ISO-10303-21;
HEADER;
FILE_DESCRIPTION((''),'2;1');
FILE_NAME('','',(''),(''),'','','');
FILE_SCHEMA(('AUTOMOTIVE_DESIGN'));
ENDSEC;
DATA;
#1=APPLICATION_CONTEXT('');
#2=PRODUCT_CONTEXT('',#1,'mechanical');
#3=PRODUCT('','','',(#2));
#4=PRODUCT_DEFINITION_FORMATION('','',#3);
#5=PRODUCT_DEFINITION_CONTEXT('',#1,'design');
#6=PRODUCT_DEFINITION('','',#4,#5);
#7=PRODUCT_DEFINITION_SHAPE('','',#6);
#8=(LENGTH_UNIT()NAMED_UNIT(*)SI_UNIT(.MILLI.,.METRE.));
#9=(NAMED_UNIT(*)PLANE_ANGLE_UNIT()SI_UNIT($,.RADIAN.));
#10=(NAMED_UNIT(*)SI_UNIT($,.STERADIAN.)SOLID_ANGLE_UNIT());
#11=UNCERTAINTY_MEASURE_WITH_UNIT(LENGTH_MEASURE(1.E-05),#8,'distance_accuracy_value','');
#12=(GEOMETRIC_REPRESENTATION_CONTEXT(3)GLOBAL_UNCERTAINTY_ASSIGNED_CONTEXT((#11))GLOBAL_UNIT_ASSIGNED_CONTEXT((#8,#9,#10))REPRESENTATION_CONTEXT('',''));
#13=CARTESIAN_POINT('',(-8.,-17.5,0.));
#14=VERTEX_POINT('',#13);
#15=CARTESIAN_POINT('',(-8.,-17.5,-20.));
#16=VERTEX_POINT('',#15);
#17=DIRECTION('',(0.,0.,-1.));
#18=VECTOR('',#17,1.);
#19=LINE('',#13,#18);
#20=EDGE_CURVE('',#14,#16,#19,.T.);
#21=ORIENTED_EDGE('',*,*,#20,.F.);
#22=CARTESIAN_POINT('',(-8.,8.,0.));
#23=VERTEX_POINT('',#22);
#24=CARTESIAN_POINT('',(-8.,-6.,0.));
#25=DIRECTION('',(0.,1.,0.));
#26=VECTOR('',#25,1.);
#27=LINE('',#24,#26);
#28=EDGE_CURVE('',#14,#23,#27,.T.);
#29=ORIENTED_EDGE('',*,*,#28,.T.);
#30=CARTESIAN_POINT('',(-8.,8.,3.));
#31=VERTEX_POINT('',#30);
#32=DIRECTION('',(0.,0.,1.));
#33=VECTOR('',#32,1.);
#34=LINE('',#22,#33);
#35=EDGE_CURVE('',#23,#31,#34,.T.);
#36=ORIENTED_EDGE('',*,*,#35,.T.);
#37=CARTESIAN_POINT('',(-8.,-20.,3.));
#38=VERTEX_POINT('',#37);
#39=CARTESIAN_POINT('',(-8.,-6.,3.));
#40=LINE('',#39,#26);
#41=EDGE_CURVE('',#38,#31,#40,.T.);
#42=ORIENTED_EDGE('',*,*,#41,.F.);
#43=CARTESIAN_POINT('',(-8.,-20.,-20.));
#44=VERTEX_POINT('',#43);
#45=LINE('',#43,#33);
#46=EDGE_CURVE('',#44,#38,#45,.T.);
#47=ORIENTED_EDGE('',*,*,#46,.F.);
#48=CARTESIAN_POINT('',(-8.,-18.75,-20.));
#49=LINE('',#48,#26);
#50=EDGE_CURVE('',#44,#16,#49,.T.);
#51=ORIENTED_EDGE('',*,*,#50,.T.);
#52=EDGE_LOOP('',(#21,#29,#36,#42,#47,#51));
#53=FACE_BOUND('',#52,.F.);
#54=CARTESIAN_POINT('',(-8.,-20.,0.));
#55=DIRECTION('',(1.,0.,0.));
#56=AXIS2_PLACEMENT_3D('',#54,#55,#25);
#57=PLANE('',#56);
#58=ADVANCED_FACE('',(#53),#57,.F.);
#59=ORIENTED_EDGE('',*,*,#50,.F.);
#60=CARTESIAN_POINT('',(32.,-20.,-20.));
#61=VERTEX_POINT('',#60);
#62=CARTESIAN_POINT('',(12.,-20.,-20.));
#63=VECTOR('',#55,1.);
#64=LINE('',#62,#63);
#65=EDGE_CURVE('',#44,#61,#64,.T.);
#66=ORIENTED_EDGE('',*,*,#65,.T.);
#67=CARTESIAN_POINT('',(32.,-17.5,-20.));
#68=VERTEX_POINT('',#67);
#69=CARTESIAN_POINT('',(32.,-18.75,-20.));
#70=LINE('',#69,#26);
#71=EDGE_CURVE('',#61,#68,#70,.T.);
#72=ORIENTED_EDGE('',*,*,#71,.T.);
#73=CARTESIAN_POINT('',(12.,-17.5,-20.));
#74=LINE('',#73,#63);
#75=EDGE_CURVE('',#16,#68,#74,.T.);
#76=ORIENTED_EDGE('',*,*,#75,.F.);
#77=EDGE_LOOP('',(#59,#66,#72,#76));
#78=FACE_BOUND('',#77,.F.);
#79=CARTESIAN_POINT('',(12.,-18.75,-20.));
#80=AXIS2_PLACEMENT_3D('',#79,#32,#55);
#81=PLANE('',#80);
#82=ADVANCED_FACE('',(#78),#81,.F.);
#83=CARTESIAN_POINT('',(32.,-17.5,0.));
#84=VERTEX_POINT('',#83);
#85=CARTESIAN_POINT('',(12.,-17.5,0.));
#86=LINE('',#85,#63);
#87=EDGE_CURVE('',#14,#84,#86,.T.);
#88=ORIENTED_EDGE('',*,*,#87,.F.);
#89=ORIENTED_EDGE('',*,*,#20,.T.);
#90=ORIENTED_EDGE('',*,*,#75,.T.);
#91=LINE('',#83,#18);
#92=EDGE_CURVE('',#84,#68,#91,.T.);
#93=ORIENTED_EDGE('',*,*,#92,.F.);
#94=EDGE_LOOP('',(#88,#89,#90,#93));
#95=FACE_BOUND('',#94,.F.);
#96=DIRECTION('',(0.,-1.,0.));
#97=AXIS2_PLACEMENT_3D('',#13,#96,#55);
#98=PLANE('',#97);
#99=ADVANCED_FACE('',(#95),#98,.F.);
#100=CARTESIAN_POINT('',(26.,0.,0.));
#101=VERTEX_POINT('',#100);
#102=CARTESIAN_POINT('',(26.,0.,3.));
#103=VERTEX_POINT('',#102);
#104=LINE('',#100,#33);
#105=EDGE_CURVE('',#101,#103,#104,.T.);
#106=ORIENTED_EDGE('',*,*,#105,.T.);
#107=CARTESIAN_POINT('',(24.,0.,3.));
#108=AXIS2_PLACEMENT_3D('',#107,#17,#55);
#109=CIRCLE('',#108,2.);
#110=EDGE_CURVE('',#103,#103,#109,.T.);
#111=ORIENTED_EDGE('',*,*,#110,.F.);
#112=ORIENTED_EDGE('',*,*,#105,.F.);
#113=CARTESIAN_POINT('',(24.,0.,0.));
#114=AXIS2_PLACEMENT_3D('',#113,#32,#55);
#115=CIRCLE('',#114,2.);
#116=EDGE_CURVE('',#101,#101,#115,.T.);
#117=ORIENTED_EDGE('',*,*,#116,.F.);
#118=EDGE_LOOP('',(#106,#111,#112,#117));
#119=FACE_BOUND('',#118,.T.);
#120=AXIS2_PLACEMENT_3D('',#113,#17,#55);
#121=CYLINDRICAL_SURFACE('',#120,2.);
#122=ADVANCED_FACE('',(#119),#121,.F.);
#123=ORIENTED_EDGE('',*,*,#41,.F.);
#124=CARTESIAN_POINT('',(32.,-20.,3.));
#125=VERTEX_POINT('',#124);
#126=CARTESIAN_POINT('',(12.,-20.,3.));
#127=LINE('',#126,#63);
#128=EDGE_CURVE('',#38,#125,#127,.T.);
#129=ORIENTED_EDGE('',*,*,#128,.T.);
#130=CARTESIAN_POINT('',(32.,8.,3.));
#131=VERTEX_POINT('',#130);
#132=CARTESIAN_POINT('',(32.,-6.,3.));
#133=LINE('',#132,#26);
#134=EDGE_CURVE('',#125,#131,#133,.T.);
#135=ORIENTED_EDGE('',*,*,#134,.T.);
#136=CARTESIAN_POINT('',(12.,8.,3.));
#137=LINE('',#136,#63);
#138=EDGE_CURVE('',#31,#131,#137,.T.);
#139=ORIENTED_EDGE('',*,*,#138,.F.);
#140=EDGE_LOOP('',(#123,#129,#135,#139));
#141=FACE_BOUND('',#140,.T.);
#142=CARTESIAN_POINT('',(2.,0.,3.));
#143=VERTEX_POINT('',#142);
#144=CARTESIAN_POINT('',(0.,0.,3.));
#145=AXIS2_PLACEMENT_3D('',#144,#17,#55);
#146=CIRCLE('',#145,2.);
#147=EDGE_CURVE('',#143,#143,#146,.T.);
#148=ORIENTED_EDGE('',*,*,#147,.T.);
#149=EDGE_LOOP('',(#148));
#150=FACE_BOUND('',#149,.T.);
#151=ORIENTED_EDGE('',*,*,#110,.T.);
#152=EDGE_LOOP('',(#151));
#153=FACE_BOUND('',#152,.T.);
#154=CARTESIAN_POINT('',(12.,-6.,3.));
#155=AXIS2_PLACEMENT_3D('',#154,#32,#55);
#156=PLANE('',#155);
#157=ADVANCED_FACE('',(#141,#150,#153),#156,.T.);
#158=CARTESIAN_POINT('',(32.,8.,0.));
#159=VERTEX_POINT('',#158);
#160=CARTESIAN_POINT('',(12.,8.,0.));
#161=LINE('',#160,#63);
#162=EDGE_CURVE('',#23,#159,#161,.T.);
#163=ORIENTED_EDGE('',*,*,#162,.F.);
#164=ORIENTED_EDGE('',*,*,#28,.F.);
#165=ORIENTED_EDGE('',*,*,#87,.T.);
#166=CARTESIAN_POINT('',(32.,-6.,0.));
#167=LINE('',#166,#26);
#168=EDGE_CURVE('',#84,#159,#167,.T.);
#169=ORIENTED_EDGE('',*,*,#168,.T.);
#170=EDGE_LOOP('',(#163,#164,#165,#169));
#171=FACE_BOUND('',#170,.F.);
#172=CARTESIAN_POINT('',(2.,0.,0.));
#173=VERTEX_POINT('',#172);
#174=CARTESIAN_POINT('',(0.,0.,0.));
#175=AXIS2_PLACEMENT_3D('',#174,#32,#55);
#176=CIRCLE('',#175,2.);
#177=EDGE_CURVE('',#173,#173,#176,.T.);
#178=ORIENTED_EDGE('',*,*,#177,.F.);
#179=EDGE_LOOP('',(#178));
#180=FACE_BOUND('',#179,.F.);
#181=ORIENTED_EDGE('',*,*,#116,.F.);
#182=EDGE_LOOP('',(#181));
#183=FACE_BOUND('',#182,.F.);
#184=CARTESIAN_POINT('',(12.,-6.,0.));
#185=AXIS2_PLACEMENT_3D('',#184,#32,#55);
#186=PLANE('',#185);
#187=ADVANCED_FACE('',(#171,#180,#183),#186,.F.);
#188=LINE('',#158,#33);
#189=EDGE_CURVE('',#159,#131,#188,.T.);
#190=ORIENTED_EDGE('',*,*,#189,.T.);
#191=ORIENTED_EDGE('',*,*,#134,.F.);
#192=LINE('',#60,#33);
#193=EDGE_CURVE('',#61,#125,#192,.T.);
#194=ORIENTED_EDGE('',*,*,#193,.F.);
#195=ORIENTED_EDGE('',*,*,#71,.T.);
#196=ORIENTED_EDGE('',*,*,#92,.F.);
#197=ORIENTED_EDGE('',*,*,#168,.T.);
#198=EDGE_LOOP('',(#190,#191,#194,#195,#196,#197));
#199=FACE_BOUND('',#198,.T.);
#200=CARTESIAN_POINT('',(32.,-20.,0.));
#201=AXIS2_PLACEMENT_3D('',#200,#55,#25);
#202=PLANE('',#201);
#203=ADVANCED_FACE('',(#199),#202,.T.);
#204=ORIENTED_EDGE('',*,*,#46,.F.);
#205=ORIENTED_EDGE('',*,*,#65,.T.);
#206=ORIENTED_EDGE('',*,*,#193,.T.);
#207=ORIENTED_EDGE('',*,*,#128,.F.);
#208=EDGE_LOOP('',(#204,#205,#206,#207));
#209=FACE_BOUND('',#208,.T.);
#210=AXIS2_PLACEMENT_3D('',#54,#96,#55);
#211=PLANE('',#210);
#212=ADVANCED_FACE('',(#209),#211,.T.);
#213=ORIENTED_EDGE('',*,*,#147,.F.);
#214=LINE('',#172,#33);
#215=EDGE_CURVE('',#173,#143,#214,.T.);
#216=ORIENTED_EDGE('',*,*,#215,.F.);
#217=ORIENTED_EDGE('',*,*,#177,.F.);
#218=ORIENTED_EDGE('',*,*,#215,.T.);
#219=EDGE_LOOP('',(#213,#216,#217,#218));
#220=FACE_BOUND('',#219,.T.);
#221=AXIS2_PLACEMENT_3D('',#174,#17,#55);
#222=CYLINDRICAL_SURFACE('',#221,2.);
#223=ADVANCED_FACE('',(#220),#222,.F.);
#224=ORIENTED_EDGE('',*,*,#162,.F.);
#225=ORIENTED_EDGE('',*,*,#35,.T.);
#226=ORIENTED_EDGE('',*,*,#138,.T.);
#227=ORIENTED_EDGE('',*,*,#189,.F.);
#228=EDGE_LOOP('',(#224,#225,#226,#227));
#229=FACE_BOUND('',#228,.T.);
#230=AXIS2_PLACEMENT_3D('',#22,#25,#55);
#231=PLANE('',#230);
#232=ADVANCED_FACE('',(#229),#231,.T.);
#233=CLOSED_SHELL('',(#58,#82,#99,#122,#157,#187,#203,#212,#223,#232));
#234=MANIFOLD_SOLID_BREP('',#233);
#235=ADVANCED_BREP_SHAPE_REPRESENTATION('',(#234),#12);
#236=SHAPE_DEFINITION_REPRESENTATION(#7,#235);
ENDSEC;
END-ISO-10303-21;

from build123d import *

# Parameters (mm, degrees)
SKETCH002_W     = 40
SKETCH002_H     = 28
PAD_DEPTH       = 3
SKETCH_R        = 2
POCKET_DEPTH    = 5
SKETCH001_R     = 2
POCKET001_DEPTH = 5
SKETCH003_W     = 40
SKETCH003_H     = 2.5
PAD001_DEPTH    = 20


with BuildPart() as part:
    # Sketch002 → Pad (new body)
    with BuildSketch(Plane.XY):
        with Locations((12, -6)):
            Rectangle(SKETCH002_W, SKETCH002_H)
    extrude(amount=PAD_DEPTH)

    # Sketch → Pocket (cut)
    with BuildSketch(Plane.XY):
        Circle(SKETCH_R)
    extrude(amount=POCKET_DEPTH, mode=Mode.SUBTRACT)

    # Sketch001 → Pocket001 (cut)
    with BuildSketch(Plane.XY):
        with Locations((24, 0)):
            Circle(SKETCH001_R)
    extrude(amount=POCKET001_DEPTH, mode=Mode.SUBTRACT)

    # Sketch003 → Pad001 (join)
    with BuildSketch(Plane.XY):
        with Locations((12, -18.75)):
            Rectangle(SKETCH003_W, SKETCH003_H)
    extrude(amount=-PAD001_DEPTH)


solid = part.part
